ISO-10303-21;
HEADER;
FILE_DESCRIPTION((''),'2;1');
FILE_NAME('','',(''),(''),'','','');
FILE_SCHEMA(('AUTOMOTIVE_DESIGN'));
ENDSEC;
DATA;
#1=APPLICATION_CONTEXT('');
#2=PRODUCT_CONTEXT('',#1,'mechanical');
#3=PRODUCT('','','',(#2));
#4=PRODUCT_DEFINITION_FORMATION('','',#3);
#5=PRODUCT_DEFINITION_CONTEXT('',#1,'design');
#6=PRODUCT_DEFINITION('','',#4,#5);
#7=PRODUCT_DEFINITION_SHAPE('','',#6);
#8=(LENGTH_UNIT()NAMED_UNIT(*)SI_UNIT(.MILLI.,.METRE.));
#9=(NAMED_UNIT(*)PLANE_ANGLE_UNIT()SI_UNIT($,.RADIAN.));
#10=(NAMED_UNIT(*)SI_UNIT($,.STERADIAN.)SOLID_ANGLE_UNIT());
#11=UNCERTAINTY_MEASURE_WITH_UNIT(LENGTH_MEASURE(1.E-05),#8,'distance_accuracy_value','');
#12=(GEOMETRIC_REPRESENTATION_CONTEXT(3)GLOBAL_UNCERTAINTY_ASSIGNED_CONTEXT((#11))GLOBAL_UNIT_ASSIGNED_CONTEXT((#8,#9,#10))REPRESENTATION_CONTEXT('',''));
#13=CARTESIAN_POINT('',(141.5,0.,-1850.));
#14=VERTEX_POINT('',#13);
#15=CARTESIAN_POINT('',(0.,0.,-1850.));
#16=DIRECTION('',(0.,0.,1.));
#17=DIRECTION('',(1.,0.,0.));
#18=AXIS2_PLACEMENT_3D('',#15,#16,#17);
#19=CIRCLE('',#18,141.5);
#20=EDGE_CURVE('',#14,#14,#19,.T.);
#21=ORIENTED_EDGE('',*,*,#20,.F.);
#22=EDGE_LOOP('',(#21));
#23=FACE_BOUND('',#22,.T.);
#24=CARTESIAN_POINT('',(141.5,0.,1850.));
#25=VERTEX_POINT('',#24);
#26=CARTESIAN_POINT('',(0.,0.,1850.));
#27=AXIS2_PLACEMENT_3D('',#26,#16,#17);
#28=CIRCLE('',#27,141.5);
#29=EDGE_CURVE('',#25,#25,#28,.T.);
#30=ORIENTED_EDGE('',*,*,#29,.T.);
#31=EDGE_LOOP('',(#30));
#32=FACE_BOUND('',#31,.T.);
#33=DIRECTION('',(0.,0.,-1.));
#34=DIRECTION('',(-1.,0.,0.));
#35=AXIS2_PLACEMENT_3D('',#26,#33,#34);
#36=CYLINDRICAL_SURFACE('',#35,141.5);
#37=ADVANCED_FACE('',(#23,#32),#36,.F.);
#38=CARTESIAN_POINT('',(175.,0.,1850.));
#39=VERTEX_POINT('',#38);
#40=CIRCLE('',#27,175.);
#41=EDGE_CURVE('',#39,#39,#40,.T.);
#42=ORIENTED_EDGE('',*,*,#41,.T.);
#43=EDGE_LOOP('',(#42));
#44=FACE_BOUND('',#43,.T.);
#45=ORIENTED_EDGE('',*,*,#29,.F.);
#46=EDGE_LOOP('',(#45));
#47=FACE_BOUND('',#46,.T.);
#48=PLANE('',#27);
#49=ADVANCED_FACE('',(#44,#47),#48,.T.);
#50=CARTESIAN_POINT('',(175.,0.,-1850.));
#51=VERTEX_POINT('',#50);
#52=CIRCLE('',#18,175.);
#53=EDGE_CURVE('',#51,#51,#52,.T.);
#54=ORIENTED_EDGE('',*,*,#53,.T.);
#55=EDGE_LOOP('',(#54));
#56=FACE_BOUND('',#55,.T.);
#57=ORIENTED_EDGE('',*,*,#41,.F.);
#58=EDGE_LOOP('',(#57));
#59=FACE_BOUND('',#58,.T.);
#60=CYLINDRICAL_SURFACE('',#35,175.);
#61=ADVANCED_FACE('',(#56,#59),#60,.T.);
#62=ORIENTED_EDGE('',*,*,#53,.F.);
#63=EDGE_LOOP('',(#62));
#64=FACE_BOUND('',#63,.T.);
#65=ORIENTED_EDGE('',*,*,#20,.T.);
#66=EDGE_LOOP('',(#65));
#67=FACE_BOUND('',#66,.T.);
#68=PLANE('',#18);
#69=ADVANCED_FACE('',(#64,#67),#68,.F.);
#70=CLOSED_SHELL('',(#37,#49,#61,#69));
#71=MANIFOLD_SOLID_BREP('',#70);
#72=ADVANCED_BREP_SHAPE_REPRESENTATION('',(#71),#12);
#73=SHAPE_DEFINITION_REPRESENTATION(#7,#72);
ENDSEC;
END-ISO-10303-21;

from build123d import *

# Parameters (mm, degrees)
SKETCH1_R           = 175
SKETCH1_R_2         = 141.5
BOSS_EXTRUDE1_DEPTH = 1850


with BuildPart() as part:
    # Sketch1 → Boss-Extrude1 (new body, symmetric)
    with BuildSketch(Plane.XY):
        Circle(SKETCH1_R)
        Circle(SKETCH1_R_2, mode=Mode.SUBTRACT)
    extrude(amount=BOSS_EXTRUDE1_DEPTH, both=True)


solid = part.part
